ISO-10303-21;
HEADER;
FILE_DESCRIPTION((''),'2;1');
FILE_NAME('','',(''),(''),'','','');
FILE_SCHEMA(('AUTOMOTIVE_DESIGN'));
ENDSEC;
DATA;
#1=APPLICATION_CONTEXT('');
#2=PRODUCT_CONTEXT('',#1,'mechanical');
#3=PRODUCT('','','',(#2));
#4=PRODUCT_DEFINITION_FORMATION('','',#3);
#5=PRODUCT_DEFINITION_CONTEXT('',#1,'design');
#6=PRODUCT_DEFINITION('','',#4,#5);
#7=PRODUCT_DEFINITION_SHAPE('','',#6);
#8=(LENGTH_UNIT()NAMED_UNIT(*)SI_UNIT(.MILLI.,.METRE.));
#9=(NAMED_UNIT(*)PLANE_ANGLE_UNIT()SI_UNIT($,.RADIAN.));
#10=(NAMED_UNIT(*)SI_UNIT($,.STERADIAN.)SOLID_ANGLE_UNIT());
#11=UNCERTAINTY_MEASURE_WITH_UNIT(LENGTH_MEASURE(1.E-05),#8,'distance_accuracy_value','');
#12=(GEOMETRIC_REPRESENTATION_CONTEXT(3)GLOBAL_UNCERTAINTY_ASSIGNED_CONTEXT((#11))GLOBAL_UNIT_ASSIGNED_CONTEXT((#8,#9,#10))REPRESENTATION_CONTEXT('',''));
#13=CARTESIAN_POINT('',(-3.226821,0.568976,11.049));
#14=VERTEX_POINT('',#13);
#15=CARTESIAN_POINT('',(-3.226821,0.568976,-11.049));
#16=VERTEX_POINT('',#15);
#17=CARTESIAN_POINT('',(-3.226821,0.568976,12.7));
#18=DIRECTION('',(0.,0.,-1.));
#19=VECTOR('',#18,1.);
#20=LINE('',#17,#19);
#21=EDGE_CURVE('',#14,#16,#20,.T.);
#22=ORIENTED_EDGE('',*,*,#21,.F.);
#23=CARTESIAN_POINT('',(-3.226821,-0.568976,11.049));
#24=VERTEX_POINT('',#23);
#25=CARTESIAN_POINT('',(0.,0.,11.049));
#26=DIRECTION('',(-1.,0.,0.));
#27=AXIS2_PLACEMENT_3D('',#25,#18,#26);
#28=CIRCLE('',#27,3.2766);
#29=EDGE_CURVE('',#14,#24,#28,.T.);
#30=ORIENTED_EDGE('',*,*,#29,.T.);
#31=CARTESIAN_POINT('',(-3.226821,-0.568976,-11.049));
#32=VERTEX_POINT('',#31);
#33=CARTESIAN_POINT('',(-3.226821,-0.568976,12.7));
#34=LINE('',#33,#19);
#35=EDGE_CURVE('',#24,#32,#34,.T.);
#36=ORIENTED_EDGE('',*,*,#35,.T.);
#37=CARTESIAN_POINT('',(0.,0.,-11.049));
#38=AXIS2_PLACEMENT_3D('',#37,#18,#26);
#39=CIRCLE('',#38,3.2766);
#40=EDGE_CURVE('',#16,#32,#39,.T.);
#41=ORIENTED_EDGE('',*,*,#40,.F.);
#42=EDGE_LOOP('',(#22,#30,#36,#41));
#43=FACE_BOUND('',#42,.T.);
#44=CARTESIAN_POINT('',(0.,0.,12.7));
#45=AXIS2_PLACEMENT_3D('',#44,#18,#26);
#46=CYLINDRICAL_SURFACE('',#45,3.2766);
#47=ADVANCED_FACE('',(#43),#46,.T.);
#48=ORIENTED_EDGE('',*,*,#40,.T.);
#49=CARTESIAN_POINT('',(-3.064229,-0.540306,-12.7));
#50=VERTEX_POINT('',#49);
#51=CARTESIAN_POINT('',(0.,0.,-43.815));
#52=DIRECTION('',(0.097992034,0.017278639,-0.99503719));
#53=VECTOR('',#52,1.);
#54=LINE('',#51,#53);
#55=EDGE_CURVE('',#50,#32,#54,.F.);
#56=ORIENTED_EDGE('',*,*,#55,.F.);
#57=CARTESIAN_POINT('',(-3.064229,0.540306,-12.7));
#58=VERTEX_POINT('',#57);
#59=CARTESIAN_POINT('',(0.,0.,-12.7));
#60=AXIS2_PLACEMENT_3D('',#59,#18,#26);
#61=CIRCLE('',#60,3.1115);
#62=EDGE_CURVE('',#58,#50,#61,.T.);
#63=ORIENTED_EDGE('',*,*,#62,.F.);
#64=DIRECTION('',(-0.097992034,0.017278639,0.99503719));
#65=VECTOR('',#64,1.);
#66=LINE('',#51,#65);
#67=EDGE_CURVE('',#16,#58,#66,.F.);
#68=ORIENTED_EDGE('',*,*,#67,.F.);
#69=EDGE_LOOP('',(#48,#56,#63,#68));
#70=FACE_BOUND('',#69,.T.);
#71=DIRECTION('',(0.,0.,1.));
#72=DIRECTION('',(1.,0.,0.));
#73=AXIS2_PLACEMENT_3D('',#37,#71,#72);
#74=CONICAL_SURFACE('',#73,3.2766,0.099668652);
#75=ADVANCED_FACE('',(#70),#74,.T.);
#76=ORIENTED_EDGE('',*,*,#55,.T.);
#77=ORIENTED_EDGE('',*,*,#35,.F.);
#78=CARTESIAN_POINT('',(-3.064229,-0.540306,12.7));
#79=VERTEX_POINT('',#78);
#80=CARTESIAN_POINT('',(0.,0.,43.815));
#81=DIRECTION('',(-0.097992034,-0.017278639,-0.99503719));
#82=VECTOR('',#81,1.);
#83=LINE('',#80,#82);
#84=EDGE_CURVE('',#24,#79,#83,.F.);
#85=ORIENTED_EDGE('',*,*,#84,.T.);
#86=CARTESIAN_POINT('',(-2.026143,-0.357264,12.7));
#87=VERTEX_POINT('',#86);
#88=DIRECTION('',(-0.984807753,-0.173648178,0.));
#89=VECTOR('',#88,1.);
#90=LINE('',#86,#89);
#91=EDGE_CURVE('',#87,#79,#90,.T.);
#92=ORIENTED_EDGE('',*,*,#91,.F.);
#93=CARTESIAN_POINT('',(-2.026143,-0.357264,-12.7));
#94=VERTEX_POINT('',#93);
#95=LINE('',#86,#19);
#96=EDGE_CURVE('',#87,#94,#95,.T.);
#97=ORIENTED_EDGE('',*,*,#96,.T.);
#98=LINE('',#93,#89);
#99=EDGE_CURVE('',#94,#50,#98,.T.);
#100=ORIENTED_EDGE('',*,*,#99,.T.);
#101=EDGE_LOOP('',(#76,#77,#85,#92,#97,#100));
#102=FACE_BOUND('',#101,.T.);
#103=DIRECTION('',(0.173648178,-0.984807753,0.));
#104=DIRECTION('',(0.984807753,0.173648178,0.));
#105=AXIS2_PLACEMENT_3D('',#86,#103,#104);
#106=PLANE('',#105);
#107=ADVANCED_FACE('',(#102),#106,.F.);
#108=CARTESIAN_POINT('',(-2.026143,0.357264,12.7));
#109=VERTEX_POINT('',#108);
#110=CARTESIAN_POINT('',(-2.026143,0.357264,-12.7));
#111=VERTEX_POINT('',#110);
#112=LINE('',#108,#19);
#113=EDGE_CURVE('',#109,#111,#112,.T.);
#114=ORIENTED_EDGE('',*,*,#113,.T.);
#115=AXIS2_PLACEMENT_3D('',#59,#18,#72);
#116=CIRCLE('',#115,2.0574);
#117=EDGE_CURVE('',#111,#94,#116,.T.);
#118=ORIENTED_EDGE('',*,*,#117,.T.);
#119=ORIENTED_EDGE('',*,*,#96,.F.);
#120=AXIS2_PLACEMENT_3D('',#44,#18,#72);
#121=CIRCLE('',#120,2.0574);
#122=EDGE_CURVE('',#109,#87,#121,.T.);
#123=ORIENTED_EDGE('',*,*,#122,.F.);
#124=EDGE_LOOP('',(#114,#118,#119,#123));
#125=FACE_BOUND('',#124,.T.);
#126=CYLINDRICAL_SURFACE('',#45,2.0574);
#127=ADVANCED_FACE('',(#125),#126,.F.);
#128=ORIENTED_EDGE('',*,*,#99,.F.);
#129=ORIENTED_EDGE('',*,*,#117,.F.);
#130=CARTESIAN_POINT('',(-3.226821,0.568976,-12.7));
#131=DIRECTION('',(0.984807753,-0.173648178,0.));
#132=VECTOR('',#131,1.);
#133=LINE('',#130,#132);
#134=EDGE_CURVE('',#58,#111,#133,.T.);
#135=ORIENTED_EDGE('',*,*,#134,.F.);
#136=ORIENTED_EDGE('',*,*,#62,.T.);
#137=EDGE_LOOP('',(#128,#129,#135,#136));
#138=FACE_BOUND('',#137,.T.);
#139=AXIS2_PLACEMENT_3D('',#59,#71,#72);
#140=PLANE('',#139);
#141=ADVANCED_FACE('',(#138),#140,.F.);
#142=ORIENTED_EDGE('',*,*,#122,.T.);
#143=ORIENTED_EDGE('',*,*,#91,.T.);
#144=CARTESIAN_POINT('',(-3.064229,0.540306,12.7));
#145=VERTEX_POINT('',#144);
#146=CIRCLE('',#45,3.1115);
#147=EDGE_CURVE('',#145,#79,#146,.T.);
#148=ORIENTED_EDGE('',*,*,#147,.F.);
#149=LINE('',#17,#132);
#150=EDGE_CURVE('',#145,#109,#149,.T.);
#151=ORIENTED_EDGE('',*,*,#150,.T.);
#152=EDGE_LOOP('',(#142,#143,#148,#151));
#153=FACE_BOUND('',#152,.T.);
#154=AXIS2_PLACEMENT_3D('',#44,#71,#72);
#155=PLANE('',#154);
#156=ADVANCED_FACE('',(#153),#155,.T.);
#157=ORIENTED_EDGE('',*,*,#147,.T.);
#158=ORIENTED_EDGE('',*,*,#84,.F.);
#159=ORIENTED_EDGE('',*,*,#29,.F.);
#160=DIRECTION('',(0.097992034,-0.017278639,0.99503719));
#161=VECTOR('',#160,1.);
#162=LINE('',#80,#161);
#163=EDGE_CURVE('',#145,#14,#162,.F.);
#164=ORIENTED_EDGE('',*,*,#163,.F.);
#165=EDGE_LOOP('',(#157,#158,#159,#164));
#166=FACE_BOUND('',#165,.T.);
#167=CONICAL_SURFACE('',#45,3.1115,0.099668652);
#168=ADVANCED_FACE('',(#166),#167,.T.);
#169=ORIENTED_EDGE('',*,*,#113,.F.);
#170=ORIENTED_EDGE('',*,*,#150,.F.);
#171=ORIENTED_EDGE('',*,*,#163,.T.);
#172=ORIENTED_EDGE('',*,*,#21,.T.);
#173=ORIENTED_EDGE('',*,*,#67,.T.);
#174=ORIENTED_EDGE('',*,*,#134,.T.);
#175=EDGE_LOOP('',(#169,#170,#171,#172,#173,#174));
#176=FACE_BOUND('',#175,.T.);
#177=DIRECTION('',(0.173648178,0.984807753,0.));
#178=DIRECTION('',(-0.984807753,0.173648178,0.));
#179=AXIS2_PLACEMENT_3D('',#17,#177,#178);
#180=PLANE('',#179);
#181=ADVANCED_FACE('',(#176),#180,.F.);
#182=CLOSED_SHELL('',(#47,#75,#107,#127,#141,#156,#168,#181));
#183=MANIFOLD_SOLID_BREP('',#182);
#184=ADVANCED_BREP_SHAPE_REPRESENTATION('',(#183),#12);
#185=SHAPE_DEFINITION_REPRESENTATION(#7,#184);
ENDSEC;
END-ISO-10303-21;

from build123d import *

# Parameters (mm, degrees)
EXTRUDE1_DEPTH = 12.7


with BuildPart() as part:
    # Sketch1 → Extrude1 (new body, symmetric)
    with BuildSketch(Plane.XY):
        with BuildLine():
            Line((-3.226821084, 0.568975619), (-2.026143471, 0.357263761))
            ThreePointArc((-2.026143471, 0.357263761), (2.0574, 0), (-2.026143471, -0.357263761))
            Line((-2.026143471, -0.357263761), (-3.226821084, -0.568975619))
            ThreePointArc((-3.226821084, -0.568975619), (3.2766, 0), (-3.226821084, 0.568975619))
        make_face()
    extrude(amount=EXTRUDE1_DEPTH, both=True)

    # Sketch2 → Cut-Revolve1 (revolve, cut)
    with BuildSketch(Plane(origin=(0, 0, 0), x_dir=(0, 0, -1), z_dir=(1, 0, 0))):
        Polygon((12.7, 3.2766), (12.7, 3.1115), (11.049, 3.2766), align=None)
        Polygon((-11.049, 3.2766), (-12.7, 3.2766), (-12.7, 3.1115), align=None)
    revolve(axis=Axis((0, 0, -12.7), (0, 0, 1)), mode=Mode.SUBTRACT)


solid = part.part
